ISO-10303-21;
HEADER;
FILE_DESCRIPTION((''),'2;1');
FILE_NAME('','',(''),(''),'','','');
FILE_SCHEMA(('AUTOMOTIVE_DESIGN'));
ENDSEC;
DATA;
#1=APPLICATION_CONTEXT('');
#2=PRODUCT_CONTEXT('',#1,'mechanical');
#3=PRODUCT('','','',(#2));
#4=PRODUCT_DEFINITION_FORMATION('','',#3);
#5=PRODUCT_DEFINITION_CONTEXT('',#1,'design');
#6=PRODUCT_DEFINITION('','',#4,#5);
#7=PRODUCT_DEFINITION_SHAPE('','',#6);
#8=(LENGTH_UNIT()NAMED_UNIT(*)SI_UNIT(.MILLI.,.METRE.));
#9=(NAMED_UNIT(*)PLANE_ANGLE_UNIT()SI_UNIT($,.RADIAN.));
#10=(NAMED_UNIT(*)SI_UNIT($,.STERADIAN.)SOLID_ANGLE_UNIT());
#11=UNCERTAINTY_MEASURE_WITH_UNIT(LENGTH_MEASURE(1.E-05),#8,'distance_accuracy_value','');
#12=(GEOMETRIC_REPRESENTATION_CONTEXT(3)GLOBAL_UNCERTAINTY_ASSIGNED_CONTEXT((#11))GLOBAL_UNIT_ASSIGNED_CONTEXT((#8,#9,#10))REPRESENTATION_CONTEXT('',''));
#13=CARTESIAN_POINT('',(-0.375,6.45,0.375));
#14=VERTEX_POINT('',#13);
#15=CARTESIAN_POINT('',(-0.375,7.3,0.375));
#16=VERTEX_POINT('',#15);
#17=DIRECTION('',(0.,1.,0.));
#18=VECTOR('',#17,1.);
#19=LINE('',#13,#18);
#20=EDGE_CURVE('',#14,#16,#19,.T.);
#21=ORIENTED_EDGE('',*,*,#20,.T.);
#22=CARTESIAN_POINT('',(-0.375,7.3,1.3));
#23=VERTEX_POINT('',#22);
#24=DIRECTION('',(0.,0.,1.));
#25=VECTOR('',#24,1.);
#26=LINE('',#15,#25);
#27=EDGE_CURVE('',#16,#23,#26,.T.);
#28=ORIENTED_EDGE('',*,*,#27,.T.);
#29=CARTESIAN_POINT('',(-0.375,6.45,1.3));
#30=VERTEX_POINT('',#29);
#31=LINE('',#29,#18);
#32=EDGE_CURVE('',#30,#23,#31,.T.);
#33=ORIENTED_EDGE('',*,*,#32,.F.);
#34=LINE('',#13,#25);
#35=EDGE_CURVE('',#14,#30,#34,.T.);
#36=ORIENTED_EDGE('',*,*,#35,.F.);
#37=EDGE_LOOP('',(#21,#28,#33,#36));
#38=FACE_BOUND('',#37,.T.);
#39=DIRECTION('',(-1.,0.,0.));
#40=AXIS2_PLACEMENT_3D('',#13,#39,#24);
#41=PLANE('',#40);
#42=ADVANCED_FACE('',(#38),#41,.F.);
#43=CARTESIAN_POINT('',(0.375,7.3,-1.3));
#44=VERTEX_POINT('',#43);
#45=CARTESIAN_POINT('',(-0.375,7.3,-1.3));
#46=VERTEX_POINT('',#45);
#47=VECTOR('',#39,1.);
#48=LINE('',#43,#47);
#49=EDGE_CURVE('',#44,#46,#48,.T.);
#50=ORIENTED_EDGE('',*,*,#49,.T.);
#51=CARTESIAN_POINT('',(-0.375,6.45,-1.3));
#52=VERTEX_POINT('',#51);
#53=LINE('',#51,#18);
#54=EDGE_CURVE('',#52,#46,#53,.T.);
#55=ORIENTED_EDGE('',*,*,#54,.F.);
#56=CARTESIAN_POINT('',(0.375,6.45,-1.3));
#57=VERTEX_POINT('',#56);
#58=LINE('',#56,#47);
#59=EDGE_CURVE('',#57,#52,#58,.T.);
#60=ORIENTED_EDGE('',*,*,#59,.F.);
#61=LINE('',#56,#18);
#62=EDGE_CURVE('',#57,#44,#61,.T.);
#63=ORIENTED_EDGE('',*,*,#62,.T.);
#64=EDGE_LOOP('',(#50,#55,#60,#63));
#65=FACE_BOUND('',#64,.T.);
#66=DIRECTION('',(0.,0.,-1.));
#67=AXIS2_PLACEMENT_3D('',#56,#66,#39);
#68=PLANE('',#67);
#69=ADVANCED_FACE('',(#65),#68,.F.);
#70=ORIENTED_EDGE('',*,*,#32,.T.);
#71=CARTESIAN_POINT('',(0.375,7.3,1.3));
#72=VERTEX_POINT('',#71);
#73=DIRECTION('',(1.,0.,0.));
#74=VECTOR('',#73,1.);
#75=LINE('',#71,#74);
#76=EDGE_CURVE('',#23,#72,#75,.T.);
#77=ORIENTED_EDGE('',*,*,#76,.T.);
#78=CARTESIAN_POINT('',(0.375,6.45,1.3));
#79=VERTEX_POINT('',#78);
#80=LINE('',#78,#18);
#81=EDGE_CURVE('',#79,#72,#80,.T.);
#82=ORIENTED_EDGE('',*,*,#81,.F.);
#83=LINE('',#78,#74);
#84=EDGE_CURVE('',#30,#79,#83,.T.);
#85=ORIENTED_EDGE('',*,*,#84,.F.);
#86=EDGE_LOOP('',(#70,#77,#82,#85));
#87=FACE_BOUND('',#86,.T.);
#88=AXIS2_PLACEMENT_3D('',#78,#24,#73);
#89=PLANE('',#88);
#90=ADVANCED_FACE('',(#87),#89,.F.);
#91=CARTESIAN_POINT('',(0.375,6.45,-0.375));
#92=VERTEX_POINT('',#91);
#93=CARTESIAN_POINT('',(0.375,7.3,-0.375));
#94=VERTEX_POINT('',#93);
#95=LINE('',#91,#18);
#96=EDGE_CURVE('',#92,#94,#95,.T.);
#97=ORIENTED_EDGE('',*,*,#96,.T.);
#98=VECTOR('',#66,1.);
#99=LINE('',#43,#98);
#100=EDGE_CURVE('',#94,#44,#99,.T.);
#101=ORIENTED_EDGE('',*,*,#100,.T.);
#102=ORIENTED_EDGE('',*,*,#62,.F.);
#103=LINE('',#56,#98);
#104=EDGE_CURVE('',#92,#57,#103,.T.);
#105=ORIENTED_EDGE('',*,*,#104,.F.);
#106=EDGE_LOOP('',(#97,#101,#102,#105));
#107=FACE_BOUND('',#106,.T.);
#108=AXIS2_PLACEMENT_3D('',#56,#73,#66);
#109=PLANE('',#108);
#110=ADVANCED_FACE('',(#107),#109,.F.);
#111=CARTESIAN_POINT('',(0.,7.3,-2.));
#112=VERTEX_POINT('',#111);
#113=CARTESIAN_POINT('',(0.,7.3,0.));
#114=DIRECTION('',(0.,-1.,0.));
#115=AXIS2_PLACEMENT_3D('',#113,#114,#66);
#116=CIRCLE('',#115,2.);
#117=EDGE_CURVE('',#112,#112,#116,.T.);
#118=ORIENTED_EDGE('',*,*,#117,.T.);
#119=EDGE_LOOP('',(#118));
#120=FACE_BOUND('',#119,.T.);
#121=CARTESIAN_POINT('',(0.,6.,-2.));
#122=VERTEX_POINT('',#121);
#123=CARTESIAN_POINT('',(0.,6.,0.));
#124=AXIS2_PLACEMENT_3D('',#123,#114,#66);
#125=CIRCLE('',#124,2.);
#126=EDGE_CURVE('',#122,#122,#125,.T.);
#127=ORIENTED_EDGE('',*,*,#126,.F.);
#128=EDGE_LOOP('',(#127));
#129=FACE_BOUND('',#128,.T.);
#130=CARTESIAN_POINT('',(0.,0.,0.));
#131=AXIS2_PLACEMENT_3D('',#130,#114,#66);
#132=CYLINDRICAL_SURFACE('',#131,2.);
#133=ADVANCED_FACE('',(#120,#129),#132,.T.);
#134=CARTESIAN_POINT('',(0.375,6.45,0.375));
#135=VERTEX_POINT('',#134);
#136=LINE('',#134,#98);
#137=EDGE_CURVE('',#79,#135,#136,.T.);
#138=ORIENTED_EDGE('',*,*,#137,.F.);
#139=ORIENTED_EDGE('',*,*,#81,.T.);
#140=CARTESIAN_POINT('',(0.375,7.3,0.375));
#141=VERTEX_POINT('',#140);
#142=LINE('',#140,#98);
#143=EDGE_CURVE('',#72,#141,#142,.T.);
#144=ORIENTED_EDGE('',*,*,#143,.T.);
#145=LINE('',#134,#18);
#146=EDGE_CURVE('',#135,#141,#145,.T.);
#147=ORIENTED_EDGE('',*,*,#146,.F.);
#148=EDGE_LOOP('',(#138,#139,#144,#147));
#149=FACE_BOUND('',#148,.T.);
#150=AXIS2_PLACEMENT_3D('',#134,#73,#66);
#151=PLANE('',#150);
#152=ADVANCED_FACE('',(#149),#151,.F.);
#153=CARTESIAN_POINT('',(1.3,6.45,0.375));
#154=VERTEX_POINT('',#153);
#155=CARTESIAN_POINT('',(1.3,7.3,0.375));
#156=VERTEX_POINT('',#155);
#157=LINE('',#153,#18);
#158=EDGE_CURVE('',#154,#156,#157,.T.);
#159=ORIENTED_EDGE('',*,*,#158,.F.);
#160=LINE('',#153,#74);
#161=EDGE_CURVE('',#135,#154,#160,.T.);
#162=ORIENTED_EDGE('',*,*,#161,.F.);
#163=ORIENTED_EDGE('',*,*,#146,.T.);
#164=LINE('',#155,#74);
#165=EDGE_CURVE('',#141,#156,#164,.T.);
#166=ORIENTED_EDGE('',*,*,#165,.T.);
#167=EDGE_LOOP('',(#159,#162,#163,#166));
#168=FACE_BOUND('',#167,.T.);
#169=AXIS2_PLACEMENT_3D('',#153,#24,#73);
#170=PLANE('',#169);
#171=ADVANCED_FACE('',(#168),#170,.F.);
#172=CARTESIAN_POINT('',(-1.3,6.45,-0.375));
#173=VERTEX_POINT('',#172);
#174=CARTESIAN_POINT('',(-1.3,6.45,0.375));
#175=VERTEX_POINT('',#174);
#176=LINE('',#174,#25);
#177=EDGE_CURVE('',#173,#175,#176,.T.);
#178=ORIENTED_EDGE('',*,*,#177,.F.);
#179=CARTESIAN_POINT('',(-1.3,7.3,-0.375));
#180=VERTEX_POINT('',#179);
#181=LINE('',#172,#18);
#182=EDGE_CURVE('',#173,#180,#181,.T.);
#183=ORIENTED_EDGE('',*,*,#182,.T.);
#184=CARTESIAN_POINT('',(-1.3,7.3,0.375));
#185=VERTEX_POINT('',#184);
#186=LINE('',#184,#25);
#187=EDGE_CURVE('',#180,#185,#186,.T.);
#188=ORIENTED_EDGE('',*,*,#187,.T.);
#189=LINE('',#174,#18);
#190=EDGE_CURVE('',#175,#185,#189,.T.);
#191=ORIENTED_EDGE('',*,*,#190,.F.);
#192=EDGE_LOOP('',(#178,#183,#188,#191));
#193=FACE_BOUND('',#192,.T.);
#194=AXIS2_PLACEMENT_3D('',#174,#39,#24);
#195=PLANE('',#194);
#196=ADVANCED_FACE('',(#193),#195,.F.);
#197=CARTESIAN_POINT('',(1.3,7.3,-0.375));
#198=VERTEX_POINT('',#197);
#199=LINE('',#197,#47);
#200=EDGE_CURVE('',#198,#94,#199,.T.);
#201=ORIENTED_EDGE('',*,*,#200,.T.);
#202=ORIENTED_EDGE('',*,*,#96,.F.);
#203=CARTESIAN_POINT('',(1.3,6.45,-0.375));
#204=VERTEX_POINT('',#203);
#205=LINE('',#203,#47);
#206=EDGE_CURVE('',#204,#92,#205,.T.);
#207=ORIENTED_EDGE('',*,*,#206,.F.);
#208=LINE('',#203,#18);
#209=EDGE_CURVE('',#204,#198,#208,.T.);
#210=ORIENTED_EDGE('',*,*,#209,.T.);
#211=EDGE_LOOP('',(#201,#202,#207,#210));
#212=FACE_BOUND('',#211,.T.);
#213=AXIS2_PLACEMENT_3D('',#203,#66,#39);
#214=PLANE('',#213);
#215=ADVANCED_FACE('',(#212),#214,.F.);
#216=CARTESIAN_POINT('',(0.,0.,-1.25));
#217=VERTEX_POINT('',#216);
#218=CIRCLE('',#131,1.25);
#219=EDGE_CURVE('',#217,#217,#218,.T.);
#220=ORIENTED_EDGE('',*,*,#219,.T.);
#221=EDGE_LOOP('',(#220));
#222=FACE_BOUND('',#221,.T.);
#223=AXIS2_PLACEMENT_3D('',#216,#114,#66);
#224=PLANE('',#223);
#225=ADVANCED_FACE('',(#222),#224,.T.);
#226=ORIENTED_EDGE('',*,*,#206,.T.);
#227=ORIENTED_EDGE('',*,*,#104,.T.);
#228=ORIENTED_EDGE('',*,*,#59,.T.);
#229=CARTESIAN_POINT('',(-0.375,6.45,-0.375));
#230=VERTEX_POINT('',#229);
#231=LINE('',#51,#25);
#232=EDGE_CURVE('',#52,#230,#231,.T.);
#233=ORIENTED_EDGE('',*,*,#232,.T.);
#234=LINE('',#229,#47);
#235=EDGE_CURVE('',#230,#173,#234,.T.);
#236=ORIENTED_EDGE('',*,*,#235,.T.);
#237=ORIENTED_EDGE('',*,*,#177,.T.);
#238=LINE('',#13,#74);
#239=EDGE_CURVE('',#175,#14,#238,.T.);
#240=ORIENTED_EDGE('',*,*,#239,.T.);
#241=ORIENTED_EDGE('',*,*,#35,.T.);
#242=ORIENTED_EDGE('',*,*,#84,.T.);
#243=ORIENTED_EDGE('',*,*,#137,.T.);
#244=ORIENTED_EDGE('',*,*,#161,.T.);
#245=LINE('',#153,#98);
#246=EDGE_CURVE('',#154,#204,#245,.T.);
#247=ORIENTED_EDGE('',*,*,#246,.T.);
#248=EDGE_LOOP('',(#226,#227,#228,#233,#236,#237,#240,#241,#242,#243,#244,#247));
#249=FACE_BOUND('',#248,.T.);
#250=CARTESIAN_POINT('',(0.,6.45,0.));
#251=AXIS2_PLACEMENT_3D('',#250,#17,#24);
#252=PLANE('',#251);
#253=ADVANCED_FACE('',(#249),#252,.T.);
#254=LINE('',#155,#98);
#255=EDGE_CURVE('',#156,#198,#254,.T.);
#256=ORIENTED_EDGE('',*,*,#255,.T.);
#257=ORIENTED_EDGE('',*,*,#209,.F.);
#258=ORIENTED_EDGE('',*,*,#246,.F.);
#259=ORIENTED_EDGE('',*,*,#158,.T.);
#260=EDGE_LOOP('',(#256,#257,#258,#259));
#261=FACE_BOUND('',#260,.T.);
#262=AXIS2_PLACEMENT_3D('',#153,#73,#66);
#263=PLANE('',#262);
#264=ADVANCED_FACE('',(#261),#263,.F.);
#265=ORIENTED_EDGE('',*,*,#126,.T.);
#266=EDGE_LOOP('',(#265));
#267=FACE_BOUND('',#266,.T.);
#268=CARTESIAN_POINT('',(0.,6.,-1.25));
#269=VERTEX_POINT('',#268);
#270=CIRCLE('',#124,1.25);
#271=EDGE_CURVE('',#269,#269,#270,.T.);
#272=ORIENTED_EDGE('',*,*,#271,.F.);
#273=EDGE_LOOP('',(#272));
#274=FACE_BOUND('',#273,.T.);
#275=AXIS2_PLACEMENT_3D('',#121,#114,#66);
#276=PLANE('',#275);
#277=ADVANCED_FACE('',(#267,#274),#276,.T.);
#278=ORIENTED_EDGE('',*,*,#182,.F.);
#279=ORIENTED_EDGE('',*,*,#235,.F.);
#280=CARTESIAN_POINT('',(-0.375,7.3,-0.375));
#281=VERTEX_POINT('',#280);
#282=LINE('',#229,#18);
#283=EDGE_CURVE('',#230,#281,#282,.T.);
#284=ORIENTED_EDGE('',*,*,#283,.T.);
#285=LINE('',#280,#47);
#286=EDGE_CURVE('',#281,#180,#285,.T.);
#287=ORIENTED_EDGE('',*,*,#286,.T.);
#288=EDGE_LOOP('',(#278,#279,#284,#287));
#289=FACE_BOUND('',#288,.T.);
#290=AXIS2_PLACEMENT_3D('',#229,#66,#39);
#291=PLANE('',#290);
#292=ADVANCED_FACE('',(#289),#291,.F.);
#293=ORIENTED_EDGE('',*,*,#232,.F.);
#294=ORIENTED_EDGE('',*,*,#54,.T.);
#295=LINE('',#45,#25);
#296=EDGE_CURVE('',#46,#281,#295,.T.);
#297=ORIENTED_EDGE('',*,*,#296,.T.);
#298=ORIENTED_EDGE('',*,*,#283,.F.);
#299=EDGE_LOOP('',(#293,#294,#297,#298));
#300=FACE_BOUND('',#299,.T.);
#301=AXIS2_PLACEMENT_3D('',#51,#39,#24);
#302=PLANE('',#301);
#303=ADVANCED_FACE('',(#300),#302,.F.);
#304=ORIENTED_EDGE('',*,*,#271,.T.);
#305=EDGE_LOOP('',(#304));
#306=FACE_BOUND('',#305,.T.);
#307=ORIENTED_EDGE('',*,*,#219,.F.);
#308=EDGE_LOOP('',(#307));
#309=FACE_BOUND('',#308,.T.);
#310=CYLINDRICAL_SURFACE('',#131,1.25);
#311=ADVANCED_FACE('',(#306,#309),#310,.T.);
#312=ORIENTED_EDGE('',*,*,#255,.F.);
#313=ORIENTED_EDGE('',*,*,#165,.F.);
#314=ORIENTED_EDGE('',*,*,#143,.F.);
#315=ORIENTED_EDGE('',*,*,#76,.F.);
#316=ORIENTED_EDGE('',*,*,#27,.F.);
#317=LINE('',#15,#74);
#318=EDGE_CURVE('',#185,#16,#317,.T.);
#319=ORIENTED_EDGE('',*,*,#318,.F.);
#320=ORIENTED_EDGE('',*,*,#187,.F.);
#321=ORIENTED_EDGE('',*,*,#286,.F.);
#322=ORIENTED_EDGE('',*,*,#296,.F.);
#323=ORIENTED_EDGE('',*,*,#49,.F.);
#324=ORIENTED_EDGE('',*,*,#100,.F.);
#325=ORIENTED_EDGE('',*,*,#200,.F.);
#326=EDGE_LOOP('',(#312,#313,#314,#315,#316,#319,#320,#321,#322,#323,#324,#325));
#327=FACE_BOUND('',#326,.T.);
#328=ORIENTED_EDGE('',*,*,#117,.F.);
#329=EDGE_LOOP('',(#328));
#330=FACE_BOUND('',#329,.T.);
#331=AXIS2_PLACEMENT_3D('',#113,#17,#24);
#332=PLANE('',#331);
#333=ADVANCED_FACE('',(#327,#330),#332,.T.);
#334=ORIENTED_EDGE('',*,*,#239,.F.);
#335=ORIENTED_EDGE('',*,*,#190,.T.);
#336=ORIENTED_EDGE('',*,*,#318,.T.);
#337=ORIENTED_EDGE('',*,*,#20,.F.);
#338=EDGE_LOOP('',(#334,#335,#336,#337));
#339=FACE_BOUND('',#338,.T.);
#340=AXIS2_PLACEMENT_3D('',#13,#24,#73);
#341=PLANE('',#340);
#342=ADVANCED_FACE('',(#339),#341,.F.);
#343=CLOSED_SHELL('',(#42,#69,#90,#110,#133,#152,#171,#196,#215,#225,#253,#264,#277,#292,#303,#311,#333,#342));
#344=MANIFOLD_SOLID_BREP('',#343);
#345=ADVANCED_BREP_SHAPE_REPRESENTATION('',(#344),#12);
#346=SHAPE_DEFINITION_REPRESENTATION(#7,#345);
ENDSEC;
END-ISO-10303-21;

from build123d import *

# Parameters (mm, degrees)
CUT_EXTRUDE1_DEPTH = 0.85


with BuildPart() as part:
    # Sketch1 → Revolve1 (revolve)
    with BuildSketch(Plane(origin=(0, 0, 0), x_dir=(0, 0, -1), z_dir=(1, 0, 0))):
        Polygon((0, 7.3), (2, 7.3), (2, 6), (1.25, 6), (1.25, 0), (0, 0), align=None)
    revolve(axis=Axis((0, 0, 0), (0, 1, 0)))

    # Sketch4 → Cut-Extrude1 (cut)
    with BuildSketch(Plane(origin=(0, 7.3, 0), x_dir=(1, 0, 0), z_dir=(0, 1, 0))):
        Polygon((0.375, -0.375), (0.375, -1.3), (-0.375, -1.3), (-0.375, -0.375), (-1.3, -0.375), (-1.3, 0.375), (-0.375, 0.375), (-0.375, 1.3), (0.375, 1.3), (0.375, 0.375), (1.3, 0.375), (1.3, -0.375), align=None)
    extrude(amount=-CUT_EXTRUDE1_DEPTH, mode=Mode.SUBTRACT)


solid = part.part
